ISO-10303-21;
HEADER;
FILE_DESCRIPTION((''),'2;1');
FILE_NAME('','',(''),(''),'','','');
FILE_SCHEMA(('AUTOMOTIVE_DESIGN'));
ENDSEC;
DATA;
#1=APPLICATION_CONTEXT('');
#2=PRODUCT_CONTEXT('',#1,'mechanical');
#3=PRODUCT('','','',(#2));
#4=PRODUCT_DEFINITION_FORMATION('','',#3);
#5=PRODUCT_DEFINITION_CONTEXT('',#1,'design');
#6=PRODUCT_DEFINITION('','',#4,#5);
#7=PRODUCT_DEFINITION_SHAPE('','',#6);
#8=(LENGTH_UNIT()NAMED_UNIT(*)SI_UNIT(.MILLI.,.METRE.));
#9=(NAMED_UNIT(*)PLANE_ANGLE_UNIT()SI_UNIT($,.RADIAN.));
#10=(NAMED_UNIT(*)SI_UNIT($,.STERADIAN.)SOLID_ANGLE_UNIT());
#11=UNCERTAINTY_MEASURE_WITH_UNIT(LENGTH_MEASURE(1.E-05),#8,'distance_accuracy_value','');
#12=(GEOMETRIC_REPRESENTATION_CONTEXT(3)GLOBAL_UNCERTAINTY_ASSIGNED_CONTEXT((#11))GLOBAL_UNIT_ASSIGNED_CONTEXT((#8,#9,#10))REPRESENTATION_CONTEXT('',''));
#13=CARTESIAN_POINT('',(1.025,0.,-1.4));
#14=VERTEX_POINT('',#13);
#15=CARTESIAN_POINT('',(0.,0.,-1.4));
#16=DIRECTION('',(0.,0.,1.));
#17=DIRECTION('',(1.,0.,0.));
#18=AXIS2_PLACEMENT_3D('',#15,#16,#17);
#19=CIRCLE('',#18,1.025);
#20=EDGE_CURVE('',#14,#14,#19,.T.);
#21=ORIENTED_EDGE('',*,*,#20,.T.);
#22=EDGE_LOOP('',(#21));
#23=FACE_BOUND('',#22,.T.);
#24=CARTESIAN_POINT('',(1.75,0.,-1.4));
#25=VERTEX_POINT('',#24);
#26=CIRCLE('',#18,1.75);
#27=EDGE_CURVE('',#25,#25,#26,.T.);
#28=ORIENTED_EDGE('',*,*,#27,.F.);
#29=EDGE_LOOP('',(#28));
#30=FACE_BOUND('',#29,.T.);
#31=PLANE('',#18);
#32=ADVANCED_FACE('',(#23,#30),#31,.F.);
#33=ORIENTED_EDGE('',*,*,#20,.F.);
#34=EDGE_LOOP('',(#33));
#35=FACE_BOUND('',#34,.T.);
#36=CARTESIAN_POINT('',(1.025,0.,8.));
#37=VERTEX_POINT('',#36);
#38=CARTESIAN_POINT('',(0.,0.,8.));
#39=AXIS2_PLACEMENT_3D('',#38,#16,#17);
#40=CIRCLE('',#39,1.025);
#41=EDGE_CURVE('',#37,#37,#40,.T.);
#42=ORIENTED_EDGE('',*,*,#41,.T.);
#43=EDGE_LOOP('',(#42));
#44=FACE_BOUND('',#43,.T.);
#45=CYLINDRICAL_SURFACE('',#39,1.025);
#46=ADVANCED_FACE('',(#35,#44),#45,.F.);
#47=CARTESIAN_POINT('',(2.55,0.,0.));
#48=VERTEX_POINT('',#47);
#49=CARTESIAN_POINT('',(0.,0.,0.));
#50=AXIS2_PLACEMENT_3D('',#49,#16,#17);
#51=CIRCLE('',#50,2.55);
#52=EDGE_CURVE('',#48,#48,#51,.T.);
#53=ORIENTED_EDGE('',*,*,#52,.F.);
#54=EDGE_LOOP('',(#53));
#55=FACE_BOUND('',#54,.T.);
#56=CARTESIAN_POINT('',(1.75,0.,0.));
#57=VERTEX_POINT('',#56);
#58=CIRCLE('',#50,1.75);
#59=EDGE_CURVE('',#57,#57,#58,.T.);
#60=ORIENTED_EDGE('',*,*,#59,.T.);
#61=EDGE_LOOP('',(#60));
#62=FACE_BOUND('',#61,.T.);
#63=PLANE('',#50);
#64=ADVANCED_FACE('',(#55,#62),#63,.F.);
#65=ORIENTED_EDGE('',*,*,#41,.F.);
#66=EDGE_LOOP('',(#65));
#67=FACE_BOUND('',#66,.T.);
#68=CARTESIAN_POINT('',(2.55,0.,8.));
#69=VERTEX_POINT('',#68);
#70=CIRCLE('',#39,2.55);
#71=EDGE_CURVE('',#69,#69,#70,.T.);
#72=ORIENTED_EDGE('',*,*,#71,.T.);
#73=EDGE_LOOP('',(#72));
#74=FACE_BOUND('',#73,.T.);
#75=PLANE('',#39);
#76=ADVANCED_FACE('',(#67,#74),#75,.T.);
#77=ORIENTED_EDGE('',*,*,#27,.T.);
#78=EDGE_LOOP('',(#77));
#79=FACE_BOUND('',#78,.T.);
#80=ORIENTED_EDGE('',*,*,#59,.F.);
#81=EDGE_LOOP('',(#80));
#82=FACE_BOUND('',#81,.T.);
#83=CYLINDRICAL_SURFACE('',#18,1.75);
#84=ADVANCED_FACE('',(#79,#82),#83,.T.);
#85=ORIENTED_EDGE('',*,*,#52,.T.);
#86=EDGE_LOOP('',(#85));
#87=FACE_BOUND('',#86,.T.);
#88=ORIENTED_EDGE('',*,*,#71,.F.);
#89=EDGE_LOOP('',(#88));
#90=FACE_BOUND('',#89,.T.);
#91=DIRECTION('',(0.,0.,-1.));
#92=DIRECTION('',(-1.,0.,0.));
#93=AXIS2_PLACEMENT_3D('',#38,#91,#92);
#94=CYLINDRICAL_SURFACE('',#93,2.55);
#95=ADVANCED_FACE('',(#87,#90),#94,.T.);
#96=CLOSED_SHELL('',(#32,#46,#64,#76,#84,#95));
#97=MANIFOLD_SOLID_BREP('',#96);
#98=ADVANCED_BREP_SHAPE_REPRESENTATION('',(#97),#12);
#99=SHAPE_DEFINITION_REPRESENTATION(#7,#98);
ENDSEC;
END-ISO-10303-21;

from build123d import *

# Parameters (mm, degrees)
MAIN_FEATURES_R          = 2.55
BODY_DEPTH               = 8
SKETCH1_3_R              = 1.75
PEG_DEPTH                = 1.4
M2_5X0_45_TAPPED_HOLE1_D = 2.05


with BuildPart() as part:
    # main_features → body (new body)
    with BuildSketch(Plane.XY):
        Circle(MAIN_FEATURES_R)
    extrude(amount=BODY_DEPTH)

    # Sketch1<3> → peg (add)
    with BuildSketch(Plane.XY):
        Circle(SKETCH1_3_R)
    extrude(amount=-PEG_DEPTH)

    # M2.5x0.45 Tapped Hole1 (through all)
    with Locations(Plane.XY.offset(8)):
        with Locations((0, 0)):
            Hole(M2_5X0_45_TAPPED_HOLE1_D / 2)


solid = part.part
